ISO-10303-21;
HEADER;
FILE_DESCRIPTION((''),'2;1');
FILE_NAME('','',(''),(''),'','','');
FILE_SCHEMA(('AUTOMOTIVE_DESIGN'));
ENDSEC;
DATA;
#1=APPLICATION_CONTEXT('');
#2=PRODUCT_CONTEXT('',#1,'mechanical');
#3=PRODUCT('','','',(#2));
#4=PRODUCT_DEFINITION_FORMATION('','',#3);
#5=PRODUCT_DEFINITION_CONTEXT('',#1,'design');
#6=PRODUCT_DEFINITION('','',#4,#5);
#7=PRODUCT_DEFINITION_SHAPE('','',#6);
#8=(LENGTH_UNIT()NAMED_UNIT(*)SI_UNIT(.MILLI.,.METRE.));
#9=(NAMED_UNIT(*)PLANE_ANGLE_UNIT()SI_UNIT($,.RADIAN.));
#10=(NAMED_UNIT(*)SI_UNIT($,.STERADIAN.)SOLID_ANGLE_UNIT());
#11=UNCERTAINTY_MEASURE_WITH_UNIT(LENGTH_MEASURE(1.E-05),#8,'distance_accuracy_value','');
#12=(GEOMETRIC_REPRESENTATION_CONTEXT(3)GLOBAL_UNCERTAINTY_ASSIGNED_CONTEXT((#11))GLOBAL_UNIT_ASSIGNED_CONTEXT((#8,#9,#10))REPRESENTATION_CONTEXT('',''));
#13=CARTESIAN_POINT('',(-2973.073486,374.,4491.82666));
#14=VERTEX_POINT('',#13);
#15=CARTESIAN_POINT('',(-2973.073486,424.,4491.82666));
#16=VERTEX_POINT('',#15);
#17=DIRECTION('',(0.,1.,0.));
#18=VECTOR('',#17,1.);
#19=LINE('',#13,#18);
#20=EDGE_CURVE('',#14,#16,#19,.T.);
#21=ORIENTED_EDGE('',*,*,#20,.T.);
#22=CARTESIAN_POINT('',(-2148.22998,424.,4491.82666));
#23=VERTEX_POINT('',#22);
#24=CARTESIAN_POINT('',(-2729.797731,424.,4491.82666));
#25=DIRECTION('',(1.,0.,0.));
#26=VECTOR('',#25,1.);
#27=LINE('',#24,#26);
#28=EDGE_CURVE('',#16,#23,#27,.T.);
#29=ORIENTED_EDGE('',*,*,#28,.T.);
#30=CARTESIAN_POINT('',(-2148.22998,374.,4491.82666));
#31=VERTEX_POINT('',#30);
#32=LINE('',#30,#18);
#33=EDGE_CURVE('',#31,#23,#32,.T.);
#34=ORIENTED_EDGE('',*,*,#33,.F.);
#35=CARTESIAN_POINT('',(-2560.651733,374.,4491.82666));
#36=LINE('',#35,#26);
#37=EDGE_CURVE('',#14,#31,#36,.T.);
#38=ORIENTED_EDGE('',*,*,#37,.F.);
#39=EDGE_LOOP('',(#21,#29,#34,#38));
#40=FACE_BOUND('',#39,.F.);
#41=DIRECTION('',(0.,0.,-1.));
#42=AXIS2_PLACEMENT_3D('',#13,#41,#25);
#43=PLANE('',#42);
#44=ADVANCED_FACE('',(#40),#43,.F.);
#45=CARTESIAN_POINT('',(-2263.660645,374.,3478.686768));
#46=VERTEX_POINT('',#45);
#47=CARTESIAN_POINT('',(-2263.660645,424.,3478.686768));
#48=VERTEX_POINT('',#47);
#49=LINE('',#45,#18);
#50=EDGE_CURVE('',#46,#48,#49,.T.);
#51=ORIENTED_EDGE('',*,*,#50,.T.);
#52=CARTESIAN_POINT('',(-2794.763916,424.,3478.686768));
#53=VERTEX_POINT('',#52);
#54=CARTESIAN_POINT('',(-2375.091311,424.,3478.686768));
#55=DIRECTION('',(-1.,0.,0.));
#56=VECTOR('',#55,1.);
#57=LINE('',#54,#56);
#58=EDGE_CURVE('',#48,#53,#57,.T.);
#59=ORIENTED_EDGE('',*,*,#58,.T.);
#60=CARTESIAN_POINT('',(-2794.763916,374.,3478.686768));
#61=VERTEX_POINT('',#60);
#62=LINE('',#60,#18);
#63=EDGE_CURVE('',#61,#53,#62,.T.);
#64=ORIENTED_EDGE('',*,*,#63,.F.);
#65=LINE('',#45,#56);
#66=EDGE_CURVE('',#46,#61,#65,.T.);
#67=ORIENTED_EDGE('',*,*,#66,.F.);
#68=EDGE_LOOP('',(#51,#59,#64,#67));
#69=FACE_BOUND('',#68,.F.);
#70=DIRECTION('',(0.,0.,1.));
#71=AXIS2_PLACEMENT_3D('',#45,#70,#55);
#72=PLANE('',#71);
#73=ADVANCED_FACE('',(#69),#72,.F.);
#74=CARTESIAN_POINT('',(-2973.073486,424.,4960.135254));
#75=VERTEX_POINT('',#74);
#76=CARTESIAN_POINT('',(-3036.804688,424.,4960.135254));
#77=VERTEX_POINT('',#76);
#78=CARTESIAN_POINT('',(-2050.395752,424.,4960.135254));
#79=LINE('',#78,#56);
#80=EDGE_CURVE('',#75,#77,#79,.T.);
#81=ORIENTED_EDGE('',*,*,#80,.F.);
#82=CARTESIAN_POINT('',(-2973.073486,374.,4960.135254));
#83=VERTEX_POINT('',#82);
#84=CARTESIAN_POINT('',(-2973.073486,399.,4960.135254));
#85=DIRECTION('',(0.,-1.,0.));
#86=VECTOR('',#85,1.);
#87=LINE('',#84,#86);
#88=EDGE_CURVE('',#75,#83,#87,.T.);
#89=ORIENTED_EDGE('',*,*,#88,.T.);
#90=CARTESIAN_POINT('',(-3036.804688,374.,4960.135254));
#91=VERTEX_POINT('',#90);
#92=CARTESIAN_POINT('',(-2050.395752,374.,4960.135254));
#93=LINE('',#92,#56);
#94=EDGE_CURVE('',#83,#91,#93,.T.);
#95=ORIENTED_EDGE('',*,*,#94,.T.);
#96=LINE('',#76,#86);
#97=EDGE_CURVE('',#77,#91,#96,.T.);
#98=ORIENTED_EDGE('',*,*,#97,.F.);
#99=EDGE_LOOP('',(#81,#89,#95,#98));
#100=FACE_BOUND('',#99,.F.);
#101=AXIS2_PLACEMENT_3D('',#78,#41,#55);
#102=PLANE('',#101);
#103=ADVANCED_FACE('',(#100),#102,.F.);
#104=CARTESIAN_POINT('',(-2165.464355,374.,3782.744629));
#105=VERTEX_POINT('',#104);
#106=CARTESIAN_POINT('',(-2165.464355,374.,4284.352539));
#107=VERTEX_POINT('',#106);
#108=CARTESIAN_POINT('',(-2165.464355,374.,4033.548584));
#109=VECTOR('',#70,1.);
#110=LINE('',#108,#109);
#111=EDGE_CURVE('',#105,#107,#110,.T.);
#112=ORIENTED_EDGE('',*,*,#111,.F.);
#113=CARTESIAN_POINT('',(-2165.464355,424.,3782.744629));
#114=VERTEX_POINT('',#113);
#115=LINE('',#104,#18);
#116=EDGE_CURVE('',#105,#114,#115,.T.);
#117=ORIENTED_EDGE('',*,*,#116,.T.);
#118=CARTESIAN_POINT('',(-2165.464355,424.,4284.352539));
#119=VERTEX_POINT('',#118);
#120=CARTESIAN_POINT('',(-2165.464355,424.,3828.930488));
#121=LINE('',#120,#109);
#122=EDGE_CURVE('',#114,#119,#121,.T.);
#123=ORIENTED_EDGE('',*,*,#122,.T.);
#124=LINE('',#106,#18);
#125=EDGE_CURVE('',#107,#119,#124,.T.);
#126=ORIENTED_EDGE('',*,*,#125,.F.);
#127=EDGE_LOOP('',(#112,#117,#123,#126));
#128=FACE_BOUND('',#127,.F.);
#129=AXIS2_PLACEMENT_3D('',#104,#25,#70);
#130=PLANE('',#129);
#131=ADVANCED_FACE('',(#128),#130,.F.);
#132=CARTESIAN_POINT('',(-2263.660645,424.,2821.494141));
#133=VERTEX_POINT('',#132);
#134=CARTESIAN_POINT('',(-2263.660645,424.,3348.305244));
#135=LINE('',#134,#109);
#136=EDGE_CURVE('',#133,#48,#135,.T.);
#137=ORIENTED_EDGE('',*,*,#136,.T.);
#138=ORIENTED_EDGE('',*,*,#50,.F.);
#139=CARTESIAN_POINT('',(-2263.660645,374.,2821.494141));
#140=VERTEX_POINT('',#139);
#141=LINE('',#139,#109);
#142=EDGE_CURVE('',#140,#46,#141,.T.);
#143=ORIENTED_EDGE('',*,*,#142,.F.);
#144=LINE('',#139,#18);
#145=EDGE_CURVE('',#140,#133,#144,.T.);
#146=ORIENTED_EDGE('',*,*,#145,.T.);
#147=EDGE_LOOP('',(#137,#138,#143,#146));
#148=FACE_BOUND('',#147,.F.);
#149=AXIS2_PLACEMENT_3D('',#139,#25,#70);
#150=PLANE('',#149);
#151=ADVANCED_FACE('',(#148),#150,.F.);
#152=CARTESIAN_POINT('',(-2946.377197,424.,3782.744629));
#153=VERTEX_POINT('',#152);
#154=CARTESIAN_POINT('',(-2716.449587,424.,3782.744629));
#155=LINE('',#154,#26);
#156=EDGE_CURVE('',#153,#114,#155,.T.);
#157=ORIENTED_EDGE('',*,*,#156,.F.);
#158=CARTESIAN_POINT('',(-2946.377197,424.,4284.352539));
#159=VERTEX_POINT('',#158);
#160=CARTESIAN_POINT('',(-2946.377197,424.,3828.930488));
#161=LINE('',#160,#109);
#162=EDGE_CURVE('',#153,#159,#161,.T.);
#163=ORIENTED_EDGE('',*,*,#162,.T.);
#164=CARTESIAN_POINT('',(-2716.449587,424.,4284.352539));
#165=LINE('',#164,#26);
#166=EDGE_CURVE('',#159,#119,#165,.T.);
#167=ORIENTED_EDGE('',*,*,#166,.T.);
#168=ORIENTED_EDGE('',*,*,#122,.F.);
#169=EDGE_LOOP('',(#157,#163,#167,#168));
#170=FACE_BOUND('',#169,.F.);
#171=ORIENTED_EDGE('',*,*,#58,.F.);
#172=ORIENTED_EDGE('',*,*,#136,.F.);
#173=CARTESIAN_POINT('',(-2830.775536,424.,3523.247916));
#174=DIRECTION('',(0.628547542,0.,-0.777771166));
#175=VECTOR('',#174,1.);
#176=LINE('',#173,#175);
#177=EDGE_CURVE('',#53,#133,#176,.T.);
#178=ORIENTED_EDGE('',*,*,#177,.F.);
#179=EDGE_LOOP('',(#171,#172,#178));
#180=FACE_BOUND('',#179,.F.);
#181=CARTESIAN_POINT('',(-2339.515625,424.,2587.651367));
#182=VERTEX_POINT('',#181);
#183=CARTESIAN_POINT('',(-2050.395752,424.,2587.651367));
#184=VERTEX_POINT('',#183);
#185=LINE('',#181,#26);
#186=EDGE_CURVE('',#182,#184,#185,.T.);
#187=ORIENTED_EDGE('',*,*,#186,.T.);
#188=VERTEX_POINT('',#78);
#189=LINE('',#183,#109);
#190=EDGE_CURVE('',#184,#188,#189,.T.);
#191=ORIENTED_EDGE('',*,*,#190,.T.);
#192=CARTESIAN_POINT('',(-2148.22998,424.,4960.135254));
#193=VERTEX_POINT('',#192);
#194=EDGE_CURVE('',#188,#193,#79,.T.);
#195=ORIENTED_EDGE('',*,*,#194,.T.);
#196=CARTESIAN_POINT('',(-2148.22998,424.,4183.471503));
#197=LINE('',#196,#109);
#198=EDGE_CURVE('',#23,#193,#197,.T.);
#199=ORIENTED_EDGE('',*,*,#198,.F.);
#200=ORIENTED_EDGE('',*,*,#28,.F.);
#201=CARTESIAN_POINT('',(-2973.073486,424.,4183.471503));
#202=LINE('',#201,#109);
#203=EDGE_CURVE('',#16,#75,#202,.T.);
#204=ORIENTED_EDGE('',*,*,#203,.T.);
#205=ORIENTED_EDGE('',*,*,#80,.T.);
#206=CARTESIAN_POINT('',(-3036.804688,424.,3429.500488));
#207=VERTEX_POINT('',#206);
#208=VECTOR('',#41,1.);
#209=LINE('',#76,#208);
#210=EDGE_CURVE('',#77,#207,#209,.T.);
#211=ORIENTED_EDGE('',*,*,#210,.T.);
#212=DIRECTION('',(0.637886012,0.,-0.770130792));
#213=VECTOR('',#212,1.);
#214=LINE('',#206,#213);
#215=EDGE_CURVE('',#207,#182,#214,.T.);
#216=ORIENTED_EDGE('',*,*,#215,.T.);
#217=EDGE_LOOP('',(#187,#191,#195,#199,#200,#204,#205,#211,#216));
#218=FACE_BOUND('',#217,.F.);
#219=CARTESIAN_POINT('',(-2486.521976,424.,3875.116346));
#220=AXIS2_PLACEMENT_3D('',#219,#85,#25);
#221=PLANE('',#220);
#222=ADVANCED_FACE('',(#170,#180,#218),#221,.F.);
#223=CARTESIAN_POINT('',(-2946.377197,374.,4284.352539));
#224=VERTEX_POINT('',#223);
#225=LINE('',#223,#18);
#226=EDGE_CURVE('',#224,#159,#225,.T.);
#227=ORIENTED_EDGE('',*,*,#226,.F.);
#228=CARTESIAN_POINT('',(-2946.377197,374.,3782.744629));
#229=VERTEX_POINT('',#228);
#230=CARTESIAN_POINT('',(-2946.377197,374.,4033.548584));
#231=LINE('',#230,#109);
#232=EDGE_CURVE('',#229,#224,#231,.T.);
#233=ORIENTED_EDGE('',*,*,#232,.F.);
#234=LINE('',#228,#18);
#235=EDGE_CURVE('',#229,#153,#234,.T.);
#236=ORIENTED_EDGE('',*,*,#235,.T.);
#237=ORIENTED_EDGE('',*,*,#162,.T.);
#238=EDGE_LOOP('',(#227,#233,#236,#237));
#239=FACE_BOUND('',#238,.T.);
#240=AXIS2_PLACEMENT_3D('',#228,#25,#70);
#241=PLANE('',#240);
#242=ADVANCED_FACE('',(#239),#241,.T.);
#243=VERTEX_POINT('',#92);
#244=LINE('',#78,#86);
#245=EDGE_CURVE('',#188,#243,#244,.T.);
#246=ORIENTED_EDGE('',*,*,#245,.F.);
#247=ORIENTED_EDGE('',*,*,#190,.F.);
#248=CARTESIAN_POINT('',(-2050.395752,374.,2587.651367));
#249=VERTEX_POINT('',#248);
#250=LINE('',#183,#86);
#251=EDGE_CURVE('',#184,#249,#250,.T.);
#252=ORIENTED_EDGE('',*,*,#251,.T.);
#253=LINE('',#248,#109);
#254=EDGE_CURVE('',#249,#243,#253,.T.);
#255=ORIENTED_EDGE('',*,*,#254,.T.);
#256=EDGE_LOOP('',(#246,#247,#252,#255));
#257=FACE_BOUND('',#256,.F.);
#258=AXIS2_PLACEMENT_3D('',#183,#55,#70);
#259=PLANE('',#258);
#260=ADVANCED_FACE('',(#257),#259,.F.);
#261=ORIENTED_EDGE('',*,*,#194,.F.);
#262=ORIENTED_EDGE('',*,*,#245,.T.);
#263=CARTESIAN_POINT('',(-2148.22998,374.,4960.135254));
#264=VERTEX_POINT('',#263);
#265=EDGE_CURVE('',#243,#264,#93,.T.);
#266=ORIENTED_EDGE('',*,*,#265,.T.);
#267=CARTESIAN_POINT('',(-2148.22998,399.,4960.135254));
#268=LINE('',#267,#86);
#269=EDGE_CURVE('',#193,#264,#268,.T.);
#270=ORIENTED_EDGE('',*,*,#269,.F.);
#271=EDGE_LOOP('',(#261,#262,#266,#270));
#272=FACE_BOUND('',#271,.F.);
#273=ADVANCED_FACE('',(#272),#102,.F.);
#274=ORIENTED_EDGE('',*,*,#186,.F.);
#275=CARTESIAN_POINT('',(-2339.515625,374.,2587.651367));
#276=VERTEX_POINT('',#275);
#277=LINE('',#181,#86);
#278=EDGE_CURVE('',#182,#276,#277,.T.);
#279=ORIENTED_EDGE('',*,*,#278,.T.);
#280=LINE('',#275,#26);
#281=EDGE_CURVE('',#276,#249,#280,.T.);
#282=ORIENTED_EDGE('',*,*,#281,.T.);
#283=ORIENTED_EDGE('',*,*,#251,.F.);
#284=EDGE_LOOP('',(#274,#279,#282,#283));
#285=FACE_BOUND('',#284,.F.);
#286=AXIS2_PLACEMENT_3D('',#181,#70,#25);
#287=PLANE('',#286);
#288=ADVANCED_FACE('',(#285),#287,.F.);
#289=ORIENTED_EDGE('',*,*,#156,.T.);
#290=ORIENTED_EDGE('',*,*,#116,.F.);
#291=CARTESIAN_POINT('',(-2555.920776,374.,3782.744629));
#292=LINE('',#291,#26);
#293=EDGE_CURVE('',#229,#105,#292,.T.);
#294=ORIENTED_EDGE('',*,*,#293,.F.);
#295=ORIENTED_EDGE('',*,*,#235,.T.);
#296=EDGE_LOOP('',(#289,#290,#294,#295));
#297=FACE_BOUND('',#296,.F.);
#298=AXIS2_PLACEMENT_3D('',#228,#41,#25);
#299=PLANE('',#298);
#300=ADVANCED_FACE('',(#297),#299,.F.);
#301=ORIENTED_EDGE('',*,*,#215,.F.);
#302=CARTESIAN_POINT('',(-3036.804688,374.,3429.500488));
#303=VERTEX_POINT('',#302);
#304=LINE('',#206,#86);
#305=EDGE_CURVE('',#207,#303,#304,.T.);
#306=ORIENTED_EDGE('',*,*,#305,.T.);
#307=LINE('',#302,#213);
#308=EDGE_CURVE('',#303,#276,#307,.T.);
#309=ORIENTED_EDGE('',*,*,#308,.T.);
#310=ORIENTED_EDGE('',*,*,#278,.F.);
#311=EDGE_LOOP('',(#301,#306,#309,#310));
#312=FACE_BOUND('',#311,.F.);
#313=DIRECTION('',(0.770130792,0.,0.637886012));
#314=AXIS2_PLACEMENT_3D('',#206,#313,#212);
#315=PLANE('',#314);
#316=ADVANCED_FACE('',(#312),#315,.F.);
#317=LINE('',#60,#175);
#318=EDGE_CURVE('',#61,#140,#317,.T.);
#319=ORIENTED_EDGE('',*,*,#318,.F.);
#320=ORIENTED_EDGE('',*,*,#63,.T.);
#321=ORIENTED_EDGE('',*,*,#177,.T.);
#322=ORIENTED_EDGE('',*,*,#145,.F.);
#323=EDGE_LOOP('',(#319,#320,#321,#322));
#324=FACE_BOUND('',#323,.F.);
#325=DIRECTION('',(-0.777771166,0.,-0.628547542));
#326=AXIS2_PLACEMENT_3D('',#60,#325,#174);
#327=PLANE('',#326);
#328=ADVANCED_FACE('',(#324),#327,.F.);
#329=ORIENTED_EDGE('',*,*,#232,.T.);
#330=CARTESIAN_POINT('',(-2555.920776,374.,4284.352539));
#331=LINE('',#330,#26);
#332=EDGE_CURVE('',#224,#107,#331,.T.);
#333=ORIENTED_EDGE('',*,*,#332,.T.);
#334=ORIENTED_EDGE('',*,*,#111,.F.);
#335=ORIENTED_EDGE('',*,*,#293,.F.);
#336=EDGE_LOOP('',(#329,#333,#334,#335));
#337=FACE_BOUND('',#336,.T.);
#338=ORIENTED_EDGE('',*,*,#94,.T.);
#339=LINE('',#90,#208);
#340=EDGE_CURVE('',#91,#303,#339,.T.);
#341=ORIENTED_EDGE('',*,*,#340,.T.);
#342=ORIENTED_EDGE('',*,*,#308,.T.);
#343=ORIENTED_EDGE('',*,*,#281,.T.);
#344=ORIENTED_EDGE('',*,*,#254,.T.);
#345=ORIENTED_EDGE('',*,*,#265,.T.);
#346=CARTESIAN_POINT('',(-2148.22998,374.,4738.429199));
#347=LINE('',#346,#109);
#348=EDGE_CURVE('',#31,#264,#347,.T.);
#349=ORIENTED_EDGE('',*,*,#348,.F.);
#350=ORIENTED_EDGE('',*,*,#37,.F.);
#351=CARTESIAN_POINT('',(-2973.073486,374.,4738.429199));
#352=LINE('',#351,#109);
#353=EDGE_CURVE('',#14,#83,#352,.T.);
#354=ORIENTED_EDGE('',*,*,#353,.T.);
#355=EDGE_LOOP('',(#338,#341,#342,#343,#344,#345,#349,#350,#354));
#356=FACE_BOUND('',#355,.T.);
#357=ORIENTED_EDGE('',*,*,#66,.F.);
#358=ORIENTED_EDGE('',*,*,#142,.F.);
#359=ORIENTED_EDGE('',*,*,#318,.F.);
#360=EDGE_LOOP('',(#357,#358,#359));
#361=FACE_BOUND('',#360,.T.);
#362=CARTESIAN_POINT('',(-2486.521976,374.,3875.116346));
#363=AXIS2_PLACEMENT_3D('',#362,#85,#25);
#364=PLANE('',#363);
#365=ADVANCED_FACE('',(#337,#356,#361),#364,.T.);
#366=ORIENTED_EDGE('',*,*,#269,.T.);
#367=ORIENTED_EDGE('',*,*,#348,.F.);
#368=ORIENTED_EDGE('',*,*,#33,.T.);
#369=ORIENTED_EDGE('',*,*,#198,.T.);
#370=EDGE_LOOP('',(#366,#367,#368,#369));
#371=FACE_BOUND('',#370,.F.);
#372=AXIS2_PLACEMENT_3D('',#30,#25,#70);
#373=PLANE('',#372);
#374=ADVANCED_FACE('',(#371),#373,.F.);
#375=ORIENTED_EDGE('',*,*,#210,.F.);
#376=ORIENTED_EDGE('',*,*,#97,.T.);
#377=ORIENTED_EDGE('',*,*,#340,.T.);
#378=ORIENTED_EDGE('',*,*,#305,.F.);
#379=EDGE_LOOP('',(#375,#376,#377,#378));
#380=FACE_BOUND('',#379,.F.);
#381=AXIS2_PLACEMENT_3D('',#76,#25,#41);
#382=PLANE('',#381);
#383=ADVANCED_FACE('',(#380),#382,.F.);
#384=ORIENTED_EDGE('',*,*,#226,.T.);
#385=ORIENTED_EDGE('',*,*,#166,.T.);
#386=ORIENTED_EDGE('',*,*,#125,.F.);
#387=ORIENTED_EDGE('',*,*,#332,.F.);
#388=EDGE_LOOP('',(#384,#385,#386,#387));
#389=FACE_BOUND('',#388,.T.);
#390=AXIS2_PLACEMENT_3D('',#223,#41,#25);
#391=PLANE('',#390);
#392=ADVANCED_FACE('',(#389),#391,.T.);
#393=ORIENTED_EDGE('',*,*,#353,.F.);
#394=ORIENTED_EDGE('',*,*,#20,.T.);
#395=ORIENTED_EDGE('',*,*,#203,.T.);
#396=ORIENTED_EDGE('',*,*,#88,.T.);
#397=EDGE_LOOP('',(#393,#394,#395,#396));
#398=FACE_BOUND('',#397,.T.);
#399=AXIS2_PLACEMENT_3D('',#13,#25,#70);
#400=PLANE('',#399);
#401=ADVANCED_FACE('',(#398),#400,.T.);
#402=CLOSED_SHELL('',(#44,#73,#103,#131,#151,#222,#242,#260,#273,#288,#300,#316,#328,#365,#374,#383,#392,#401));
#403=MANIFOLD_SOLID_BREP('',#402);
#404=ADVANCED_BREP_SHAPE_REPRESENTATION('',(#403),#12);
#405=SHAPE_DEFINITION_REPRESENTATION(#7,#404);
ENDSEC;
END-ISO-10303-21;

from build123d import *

# Parameters (mm, degrees)
PAD017_DEPTH    = 50
POCKET_DEPTH    = 59
SKETCH019_W     = 780.912842
SKETCH019_H     = 501.60791
POCKET001_DEPTH = 60
SKETCH020_W     = 824.843506
SKETCH020_H     = 493.205078
POCKET002_DEPTH = 60


with BuildPart() as part:
    # Sketch017 → Pad017 (new body)
    with BuildSketch(Plane.XZ):
        Polygon((-3036.804688, 4960.135254), (-3036.804688, 3429.500488), (-2339.515625, 2587.651367), (-2050.395752, 2587.651367), (-2050.395752, 4960.135254), align=None)
    extrude(amount=PAD017_DEPTH)

    # Sketch018 (on Face7 of Pad017) → Pocket (cut)
    with BuildSketch(Plane.XZ.offset(50)):
        Polygon((-2794.763916, 3478.686768), (-2263.660645, 2821.494141), (-2263.660645, 3478.686768), align=None)
    extrude(amount=-POCKET_DEPTH, mode=Mode.SUBTRACT)

    # Sketch019 (on Face5 of Pocket) → Pocket001 (cut)
    with BuildSketch(Plane.XZ.offset(50)):
        with Locations((-2555.920776, 4033.548584)):
            Rectangle(SKETCH019_W, SKETCH019_H)
    extrude(amount=-POCKET001_DEPTH, mode=Mode.SUBTRACT)

    # Sketch020 (on Face5 of Pocket001) → Pocket002 (cut)
    with BuildSketch(Plane.XZ.offset(50)):
        with Locations((-2560.651733, 4738.429199)):
            Rectangle(SKETCH020_W, SKETCH020_H)
    extrude(amount=-POCKET002_DEPTH, mode=Mode.SUBTRACT)


with BuildPart() as part_1:
    # Body015 placement: moved
    add(part.part.moved(Location((0, 424, 0))))


solid = part_1.part
